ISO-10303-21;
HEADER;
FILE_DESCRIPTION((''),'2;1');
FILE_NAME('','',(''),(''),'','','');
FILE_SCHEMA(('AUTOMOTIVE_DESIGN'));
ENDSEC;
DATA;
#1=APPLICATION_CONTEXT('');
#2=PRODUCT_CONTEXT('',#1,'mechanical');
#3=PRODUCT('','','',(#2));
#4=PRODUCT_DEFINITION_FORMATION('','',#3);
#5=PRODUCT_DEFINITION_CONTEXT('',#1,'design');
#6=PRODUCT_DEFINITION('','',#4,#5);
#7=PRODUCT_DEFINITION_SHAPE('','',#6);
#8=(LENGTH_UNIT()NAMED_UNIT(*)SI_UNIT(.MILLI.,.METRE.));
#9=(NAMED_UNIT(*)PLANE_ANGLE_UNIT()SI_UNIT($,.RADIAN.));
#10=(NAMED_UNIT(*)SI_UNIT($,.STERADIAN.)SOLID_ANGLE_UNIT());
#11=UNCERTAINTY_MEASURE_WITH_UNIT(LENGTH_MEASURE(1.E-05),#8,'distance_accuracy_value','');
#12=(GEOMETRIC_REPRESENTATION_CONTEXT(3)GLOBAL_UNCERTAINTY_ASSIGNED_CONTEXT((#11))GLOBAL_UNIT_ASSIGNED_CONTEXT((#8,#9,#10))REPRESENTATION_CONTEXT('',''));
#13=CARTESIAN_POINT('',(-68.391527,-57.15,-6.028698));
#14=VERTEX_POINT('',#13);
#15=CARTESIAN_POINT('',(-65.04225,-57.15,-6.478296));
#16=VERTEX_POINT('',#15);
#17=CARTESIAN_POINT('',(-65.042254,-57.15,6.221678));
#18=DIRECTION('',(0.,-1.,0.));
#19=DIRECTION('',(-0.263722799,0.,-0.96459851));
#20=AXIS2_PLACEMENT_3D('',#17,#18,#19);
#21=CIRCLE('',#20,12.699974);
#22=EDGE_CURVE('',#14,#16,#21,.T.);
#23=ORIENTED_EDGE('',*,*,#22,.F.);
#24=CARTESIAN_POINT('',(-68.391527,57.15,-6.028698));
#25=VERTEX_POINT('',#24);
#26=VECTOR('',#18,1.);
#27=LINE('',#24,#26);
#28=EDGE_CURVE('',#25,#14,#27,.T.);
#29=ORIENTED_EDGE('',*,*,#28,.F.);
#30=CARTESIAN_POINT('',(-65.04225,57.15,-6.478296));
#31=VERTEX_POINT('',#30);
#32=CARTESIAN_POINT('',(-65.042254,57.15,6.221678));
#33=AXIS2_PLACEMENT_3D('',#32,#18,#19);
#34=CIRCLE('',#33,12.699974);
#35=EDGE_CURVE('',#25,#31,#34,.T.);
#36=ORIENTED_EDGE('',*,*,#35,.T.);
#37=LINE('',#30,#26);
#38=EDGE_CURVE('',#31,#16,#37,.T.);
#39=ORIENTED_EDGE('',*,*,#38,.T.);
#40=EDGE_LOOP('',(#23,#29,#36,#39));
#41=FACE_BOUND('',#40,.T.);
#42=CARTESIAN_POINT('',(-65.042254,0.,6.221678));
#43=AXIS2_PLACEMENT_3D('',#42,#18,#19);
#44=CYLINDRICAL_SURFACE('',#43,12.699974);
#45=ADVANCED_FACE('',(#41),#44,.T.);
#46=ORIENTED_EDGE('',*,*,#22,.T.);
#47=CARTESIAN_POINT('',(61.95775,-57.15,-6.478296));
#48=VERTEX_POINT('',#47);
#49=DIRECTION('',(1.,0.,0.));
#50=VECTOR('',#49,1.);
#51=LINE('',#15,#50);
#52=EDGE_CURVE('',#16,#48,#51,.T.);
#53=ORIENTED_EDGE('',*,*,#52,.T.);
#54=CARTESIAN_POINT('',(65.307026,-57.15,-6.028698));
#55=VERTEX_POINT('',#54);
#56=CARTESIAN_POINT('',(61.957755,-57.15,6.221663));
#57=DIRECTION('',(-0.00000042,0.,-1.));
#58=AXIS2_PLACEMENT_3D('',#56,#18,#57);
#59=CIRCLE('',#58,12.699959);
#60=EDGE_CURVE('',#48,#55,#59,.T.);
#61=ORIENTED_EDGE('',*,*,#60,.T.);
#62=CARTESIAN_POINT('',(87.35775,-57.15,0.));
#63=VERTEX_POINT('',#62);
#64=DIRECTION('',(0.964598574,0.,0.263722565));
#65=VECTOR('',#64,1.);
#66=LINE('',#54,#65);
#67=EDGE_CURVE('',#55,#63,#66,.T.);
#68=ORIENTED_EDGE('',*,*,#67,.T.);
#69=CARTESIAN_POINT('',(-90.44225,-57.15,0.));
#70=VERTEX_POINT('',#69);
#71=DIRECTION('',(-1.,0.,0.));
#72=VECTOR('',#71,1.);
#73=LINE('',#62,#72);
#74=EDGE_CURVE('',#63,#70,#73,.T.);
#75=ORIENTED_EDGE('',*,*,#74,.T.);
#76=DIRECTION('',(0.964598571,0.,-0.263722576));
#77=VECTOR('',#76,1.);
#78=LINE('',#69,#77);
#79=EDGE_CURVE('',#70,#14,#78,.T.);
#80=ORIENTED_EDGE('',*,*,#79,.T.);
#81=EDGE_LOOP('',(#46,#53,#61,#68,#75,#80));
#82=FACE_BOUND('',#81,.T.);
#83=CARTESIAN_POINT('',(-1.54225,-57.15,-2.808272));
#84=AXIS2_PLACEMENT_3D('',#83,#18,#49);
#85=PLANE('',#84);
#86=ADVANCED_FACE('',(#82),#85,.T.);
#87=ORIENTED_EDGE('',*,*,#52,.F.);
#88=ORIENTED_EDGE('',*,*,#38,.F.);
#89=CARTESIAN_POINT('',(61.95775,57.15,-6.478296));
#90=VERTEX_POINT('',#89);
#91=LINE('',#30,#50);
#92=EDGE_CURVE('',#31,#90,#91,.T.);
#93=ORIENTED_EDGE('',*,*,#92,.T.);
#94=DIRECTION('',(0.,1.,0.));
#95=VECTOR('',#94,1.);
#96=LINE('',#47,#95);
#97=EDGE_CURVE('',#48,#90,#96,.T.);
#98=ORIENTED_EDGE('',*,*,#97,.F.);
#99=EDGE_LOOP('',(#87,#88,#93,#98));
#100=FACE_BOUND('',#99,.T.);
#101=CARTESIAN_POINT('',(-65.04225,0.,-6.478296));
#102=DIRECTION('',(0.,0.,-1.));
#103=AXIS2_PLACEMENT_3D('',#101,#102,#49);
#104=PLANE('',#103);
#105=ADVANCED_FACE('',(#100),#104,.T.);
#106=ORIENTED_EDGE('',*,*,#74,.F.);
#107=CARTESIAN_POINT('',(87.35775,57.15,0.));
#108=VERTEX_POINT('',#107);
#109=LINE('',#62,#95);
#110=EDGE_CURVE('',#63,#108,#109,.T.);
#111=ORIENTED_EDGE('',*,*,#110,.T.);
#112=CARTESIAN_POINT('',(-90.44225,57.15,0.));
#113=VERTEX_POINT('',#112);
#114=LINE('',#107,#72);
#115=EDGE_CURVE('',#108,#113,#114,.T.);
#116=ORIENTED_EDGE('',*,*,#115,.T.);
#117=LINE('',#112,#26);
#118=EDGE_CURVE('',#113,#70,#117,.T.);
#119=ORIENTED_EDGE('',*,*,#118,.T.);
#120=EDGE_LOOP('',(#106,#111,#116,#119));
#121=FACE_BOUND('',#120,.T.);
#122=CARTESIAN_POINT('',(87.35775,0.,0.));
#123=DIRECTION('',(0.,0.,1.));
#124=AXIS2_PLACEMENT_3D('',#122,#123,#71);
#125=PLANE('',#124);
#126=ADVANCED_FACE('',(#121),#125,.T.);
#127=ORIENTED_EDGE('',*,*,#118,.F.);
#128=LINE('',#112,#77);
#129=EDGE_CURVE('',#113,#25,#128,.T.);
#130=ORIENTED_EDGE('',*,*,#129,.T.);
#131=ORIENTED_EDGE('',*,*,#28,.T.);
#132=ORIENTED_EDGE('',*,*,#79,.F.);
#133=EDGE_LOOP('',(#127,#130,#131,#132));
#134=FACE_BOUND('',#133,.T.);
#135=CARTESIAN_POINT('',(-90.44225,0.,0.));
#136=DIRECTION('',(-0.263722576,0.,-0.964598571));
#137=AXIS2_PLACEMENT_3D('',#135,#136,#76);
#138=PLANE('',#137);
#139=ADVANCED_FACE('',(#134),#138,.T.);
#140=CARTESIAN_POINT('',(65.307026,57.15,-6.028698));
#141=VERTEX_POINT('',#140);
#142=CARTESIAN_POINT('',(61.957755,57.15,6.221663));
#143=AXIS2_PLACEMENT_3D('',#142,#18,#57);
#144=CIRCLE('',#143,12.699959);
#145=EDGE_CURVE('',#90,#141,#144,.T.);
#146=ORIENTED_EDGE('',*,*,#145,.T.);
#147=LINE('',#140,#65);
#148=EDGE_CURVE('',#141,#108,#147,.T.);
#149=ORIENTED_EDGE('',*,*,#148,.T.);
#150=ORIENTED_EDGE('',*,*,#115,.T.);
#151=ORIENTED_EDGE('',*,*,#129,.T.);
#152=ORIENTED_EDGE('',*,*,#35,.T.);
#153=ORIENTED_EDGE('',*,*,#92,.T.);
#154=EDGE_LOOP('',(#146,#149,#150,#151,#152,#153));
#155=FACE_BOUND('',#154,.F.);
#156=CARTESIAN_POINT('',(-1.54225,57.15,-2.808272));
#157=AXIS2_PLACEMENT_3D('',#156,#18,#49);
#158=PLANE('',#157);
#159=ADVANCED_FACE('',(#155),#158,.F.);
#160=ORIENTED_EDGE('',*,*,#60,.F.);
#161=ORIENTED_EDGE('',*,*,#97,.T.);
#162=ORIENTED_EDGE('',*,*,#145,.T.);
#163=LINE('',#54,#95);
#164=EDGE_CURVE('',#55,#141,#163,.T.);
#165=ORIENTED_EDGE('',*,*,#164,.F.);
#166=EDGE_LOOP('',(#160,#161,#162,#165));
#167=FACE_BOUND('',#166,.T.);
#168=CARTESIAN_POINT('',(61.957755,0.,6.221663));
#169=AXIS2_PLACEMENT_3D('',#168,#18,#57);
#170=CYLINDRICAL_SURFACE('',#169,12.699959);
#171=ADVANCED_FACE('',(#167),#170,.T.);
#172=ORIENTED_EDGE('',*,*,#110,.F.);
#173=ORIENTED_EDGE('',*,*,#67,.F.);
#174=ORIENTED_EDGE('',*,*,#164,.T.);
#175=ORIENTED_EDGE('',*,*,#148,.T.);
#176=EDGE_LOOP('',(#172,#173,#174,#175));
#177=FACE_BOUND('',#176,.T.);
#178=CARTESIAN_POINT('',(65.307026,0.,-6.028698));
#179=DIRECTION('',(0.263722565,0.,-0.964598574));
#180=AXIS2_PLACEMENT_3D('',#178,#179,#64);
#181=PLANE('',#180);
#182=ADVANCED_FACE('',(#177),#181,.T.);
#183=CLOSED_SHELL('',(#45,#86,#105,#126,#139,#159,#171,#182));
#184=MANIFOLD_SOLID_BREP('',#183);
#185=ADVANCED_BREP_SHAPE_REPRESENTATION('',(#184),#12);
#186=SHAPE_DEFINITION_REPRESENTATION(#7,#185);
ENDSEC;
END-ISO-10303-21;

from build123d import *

# Parameters (mm, degrees)
F1_DEPTH      = 57.15
F1_DEPTH_BACK = 57.15


with BuildPart() as f1:
    # F0 (on Front) → F1 (new body, two sides)
    with BuildSketch(Plane.XZ) as f1_sk:
        with BuildLine():
            Line((87.35775, 0), (-90.44225, 0))
            Line((-90.44225, 0), (-68.391527, -6.028698))
            ThreePointArc((-68.391527, -6.028698), (-66.731909, -6.365395), (-65.04225, -6.478296))
            Line((-65.04225, -6.478296), (61.95775, -6.478296))
            ThreePointArc((61.95775, -6.478296), (63.647409, -6.365395), (65.307026, -6.028698))
            Line((65.307026, -6.028698), (87.35775, 0))
        make_face()
    extrude(amount=F1_DEPTH)
    extrude(f1_sk.sketch, amount=-F1_DEPTH_BACK)


solid = f1.part
